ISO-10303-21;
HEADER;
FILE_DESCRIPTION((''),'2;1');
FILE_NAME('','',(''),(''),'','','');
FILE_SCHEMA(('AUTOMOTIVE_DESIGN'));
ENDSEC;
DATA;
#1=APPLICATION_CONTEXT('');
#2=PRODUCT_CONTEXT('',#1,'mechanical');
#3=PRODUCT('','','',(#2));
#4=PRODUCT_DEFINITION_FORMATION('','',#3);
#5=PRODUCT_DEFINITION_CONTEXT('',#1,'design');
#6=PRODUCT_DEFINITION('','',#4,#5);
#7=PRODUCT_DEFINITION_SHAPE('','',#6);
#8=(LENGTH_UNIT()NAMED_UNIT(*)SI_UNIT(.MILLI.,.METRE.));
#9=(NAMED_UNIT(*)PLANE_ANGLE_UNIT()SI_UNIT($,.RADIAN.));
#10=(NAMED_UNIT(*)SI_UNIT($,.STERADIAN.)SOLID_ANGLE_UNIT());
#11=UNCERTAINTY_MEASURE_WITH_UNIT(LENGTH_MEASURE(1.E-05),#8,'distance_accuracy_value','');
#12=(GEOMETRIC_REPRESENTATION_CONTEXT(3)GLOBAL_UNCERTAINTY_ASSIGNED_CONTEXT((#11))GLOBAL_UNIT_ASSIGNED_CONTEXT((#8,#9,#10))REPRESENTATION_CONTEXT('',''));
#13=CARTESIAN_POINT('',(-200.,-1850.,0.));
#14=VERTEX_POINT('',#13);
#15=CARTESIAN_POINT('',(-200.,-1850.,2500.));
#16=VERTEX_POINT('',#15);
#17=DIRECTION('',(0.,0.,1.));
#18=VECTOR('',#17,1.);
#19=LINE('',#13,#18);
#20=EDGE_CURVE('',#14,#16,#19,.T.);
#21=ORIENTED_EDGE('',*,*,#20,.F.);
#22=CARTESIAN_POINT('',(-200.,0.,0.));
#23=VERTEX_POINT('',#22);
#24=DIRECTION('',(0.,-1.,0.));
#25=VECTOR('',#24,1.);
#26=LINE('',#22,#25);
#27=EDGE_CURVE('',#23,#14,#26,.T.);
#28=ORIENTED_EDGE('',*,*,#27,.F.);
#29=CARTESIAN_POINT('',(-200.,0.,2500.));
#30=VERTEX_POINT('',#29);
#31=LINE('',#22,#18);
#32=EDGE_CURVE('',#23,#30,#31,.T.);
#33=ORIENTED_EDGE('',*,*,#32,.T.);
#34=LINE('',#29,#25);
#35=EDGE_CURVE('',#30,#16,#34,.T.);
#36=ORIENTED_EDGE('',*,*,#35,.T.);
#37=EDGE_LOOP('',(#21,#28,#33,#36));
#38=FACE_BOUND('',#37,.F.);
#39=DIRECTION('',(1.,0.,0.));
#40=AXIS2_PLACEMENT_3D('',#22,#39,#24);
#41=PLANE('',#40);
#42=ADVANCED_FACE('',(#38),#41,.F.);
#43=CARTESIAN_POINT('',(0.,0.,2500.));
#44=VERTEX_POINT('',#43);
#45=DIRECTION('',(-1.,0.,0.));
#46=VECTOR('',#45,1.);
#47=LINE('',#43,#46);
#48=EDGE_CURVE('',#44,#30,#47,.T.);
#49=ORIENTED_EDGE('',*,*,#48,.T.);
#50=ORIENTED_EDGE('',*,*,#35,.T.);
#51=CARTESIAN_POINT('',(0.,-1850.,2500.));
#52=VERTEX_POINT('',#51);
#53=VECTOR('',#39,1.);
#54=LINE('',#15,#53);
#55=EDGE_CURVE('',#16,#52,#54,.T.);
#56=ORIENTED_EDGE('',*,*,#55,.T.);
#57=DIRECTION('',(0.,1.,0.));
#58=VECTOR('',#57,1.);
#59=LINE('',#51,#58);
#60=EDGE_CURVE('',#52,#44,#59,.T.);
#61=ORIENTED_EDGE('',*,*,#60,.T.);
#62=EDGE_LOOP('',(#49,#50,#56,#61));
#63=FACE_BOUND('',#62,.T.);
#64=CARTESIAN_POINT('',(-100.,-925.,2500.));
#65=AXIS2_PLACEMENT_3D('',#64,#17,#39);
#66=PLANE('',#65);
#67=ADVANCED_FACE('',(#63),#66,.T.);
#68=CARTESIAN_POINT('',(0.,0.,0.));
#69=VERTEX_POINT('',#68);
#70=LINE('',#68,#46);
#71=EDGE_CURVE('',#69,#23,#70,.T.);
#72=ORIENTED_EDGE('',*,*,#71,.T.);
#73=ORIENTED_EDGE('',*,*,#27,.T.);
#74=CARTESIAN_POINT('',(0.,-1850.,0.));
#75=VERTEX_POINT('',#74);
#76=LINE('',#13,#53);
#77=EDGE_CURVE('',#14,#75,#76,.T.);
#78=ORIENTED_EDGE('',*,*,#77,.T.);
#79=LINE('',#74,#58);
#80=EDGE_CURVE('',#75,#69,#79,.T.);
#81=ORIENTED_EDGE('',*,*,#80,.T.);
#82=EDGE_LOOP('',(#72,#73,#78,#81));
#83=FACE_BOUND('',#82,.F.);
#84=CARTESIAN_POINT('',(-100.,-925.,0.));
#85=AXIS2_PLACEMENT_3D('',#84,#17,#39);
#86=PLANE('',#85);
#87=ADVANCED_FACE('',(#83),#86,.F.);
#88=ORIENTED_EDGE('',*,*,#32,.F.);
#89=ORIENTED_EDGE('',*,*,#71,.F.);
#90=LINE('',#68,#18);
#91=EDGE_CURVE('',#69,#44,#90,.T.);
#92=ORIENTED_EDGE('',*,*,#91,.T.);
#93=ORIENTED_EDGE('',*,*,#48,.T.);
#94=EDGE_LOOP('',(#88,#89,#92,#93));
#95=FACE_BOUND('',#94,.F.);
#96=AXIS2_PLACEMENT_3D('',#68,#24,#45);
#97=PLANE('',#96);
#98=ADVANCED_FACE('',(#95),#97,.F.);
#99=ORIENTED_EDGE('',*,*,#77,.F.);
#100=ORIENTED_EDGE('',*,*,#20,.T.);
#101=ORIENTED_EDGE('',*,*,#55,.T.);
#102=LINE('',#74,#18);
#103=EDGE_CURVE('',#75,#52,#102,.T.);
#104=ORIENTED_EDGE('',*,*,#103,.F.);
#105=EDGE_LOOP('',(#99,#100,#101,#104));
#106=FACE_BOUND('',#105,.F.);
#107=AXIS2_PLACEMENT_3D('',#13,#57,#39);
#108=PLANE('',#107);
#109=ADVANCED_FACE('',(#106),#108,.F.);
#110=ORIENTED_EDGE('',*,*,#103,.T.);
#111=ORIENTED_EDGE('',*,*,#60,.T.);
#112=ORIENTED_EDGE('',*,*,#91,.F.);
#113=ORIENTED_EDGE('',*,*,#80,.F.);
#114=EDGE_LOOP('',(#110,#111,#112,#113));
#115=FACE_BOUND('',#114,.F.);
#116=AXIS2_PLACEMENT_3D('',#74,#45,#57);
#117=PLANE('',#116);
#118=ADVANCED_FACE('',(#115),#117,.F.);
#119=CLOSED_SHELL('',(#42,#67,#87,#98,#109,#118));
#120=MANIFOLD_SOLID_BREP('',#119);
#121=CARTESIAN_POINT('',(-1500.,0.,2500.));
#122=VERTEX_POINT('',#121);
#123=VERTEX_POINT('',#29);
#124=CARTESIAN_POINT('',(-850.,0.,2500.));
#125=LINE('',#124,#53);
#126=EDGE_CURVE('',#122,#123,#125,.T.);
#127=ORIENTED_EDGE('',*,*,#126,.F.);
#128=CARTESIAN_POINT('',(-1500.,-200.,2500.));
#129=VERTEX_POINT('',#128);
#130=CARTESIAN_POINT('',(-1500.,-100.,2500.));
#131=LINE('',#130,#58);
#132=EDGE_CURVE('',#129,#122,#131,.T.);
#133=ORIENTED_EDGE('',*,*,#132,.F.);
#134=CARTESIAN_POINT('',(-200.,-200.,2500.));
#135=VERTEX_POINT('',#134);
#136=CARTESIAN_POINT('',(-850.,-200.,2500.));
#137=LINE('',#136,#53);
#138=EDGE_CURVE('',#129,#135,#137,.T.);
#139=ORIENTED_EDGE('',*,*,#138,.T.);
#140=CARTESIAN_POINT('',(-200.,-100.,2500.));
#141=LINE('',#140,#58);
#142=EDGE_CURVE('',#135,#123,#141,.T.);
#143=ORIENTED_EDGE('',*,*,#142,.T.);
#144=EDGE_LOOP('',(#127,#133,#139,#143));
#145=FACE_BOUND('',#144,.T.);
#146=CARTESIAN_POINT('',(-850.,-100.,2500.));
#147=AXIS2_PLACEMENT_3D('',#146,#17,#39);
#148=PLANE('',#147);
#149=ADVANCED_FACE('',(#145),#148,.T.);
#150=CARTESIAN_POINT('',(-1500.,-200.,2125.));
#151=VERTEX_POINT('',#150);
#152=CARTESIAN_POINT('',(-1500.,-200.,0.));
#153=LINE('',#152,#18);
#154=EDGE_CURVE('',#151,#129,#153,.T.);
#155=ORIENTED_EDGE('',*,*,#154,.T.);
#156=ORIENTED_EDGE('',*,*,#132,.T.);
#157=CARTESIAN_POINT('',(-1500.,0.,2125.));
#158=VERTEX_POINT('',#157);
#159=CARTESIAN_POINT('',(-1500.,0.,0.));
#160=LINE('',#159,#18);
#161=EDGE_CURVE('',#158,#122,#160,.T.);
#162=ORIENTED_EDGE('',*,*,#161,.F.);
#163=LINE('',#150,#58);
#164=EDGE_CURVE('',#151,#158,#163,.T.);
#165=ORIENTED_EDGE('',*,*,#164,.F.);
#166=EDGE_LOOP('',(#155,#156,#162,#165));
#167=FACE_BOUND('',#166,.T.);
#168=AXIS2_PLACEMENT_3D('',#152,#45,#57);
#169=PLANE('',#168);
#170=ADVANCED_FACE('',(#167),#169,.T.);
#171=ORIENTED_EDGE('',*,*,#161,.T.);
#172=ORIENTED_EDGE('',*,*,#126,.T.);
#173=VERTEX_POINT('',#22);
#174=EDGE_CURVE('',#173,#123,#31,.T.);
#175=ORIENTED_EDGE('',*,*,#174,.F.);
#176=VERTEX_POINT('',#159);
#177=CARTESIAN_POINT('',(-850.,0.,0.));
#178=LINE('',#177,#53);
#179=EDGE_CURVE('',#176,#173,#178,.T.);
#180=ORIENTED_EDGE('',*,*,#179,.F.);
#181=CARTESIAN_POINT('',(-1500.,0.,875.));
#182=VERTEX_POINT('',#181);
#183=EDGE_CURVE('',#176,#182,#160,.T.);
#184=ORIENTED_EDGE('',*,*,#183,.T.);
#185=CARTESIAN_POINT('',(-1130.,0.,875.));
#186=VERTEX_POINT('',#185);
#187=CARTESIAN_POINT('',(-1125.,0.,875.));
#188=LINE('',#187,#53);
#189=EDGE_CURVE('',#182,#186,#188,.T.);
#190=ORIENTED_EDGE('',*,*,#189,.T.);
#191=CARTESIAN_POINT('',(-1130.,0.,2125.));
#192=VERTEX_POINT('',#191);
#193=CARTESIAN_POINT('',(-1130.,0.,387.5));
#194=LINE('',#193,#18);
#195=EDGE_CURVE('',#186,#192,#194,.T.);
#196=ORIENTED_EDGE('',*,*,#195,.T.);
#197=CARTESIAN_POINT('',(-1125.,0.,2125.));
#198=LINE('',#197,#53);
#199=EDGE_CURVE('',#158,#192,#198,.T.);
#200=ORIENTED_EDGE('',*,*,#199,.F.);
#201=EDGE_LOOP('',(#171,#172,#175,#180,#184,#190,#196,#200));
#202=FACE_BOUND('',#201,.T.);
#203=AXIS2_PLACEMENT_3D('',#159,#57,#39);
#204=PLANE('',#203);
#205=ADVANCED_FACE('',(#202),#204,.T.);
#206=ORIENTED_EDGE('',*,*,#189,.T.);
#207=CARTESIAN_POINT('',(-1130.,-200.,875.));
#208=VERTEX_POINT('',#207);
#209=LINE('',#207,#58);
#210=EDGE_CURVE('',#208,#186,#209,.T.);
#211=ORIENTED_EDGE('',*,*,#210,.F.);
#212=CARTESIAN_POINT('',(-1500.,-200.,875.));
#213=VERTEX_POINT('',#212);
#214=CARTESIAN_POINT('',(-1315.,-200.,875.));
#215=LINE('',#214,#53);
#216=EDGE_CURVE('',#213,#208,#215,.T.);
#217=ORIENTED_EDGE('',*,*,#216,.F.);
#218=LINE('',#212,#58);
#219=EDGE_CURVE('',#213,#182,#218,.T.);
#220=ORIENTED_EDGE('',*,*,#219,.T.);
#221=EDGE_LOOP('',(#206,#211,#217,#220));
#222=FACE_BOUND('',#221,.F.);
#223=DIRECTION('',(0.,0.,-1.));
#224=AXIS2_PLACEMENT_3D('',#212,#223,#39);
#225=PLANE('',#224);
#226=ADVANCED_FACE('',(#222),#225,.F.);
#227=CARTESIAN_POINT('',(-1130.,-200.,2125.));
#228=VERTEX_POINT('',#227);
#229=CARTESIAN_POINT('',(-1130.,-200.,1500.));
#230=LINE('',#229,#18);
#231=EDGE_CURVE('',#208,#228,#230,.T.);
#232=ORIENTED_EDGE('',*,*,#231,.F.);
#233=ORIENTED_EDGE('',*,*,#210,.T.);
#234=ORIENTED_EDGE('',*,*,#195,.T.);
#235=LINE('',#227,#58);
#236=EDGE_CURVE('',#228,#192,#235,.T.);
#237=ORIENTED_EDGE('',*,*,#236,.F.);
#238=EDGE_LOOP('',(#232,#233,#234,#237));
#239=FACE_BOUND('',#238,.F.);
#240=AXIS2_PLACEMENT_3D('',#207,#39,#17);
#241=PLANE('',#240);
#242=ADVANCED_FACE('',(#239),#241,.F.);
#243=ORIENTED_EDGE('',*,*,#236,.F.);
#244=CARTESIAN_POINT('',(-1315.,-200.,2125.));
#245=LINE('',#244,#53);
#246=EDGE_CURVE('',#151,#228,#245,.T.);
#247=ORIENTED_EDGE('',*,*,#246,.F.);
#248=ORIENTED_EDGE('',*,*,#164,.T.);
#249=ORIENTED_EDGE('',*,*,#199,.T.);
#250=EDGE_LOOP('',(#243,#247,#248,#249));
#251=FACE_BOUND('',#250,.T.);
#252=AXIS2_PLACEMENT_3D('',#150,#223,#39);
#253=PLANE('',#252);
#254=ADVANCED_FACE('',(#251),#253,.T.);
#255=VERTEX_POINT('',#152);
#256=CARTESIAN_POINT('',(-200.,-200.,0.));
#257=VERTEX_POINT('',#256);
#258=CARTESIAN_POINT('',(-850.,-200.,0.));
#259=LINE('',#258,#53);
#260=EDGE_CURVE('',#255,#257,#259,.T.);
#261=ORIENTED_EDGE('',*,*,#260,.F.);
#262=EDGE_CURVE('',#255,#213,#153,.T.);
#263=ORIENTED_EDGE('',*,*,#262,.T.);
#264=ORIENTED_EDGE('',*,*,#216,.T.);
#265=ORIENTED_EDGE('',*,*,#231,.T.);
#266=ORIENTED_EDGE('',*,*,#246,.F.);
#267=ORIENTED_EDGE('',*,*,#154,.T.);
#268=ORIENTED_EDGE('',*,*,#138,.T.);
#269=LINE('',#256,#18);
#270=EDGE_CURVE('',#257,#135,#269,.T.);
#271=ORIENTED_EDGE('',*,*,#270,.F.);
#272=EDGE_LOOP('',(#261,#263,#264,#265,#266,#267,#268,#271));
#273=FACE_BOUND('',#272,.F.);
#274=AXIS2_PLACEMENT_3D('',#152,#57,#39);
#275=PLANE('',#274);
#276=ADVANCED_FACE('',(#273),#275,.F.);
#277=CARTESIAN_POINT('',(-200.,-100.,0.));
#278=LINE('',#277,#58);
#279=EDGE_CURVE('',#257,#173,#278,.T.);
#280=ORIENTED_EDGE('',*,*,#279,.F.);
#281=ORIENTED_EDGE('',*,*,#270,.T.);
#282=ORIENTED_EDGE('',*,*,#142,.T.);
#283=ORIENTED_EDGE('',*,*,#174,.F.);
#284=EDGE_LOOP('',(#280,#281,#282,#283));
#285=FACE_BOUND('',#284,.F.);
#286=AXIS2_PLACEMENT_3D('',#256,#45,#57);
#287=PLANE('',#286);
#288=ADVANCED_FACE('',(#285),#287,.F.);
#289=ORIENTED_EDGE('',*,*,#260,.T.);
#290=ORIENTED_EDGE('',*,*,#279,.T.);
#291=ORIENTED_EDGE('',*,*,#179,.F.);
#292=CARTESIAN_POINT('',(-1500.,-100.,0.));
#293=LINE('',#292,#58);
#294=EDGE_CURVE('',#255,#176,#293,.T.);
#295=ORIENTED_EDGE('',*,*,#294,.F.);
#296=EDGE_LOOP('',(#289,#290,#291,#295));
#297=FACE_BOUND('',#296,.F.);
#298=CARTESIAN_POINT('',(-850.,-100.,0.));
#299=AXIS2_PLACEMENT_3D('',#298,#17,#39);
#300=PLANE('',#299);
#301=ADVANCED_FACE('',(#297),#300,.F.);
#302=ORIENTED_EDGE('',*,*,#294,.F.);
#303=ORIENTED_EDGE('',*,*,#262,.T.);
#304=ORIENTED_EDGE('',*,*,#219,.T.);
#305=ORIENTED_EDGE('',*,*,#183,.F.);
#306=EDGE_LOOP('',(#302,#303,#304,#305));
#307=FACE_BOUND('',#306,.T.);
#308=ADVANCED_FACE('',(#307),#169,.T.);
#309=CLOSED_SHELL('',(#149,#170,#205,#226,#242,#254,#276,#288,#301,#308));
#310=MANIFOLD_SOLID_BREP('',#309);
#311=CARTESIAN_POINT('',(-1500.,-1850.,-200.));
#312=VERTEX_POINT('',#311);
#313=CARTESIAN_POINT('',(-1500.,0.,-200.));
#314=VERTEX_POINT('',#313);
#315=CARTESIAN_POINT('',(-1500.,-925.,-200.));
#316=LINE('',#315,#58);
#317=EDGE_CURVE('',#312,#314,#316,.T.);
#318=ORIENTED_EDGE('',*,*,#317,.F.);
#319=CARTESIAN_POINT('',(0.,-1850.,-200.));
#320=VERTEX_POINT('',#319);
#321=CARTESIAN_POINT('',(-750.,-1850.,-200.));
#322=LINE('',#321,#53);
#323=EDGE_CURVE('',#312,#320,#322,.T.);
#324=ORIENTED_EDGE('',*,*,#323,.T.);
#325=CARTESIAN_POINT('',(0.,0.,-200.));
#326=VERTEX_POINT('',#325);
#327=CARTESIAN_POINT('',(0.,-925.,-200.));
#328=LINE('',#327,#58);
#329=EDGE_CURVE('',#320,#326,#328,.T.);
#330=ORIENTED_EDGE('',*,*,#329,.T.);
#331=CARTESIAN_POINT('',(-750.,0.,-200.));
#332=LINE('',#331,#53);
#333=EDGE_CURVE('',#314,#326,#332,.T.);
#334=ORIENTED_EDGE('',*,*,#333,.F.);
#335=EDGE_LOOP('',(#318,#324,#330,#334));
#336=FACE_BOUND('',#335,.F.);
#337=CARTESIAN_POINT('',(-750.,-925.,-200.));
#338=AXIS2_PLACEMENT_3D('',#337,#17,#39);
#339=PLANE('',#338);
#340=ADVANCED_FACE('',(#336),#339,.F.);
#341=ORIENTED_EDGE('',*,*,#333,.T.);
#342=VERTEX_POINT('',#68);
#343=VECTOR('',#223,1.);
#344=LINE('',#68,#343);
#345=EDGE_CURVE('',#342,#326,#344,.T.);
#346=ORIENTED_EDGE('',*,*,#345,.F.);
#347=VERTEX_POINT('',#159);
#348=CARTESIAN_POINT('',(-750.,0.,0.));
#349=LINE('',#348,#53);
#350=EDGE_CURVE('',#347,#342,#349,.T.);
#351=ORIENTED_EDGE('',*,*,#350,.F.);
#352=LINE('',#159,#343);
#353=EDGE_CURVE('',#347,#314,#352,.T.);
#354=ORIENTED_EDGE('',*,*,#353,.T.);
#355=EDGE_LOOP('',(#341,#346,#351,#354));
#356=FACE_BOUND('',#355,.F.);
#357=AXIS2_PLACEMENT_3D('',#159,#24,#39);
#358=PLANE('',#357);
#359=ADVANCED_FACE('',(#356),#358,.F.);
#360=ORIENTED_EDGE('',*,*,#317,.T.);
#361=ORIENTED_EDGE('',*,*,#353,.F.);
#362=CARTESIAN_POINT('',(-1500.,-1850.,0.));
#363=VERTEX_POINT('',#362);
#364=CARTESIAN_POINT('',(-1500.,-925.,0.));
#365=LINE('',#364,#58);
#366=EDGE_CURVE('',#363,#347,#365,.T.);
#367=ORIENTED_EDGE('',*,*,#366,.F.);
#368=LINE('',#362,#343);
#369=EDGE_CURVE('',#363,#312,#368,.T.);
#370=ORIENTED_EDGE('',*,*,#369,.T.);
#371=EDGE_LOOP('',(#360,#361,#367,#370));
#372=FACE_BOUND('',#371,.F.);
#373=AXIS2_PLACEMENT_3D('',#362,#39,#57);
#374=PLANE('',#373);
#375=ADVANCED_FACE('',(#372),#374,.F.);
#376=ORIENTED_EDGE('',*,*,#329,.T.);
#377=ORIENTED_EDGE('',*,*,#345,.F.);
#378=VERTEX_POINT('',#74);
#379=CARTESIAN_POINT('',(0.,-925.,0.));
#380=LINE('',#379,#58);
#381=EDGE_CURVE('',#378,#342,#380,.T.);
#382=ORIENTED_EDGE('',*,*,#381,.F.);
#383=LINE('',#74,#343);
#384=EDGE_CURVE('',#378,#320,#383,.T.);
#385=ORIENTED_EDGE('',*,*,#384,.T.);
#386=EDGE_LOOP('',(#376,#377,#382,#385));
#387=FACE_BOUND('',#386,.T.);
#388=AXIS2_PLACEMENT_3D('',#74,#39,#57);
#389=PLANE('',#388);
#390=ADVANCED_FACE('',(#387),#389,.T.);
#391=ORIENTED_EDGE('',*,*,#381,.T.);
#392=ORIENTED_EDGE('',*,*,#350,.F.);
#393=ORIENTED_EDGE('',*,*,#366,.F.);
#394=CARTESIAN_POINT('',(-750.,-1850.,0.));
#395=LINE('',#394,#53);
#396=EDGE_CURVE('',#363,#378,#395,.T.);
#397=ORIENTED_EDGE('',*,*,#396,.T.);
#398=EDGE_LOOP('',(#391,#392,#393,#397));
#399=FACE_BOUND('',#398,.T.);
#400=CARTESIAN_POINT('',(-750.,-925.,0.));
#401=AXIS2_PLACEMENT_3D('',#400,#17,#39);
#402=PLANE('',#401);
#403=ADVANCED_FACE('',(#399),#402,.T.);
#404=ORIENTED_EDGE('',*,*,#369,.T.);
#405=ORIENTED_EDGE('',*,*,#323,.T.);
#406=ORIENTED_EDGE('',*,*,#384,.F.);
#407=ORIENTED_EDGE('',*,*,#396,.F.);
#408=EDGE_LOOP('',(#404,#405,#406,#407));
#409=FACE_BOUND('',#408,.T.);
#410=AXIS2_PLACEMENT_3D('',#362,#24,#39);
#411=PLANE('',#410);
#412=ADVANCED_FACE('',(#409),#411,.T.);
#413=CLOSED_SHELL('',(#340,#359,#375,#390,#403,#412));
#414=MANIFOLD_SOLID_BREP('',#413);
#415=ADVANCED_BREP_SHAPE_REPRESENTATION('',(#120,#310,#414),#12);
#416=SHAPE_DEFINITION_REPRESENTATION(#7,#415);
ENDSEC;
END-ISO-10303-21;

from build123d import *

# Parameters (mm, degrees)
F0_W         = 1500
F0_H         = 1850
F1_DEPTH     = 200
F2_W         = 1300
F2_H         = 200
F3_DEPTH     = 2500
F4_W         = 370
F4_H         = 1250
F3_FACE1_W   = 1500
F3_FACE1_H   = 200
F3_FACE1_W_2 = 1300
F3_FACE1_H_2 = 2500
F5_DEPTH     = 200.001
F6_DEPTH     = 2500


with BuildPart() as f1:
    # F0 (on Top) → F1 (new body)
    with BuildSketch(Plane.XY):
        with Locations((-750, -925)):
            Rectangle(F0_W, F0_H)
    extrude(amount=-F1_DEPTH)


with BuildPart() as f3:
    # F2 (on face) → F3 (new body)
    with BuildSketch(Plane.XY):
        with Locations((-850, -100)):
            Rectangle(F2_W, F2_H)
    extrude(amount=F3_DEPTH)

    # F4 (on face) + F3_face1 (on face) → F5 (cut, through all)
    with BuildSketch(Plane.XZ.offset(200)):
        with Locations((-1315, 1500)):
            Rectangle(F4_W, F4_H)
    with BuildSketch(Plane(origin=(-750, 0, -100), x_dir=(-1, 0, 0), z_dir=(0, 1, 0))):
        Rectangle(F3_FACE1_W, F3_FACE1_H)
        with Locations((100, 1350)):
            Rectangle(F3_FACE1_W_2, F3_FACE1_H_2)
    extrude(amount=-F5_DEPTH, dir=(0, -1, 0), mode=Mode.SUBTRACT)


with BuildPart() as f6:
    # F2 (on face) → F6 (new body, through all)
    with BuildSketch(Plane.XY):
        Polygon((0, 0), (-200, 0), (-200, -200), (-200, -1850), (0, -1850), align=None)
    extrude(amount=F6_DEPTH)


solid = Compound([f1.part, f3.part, f6.part])
